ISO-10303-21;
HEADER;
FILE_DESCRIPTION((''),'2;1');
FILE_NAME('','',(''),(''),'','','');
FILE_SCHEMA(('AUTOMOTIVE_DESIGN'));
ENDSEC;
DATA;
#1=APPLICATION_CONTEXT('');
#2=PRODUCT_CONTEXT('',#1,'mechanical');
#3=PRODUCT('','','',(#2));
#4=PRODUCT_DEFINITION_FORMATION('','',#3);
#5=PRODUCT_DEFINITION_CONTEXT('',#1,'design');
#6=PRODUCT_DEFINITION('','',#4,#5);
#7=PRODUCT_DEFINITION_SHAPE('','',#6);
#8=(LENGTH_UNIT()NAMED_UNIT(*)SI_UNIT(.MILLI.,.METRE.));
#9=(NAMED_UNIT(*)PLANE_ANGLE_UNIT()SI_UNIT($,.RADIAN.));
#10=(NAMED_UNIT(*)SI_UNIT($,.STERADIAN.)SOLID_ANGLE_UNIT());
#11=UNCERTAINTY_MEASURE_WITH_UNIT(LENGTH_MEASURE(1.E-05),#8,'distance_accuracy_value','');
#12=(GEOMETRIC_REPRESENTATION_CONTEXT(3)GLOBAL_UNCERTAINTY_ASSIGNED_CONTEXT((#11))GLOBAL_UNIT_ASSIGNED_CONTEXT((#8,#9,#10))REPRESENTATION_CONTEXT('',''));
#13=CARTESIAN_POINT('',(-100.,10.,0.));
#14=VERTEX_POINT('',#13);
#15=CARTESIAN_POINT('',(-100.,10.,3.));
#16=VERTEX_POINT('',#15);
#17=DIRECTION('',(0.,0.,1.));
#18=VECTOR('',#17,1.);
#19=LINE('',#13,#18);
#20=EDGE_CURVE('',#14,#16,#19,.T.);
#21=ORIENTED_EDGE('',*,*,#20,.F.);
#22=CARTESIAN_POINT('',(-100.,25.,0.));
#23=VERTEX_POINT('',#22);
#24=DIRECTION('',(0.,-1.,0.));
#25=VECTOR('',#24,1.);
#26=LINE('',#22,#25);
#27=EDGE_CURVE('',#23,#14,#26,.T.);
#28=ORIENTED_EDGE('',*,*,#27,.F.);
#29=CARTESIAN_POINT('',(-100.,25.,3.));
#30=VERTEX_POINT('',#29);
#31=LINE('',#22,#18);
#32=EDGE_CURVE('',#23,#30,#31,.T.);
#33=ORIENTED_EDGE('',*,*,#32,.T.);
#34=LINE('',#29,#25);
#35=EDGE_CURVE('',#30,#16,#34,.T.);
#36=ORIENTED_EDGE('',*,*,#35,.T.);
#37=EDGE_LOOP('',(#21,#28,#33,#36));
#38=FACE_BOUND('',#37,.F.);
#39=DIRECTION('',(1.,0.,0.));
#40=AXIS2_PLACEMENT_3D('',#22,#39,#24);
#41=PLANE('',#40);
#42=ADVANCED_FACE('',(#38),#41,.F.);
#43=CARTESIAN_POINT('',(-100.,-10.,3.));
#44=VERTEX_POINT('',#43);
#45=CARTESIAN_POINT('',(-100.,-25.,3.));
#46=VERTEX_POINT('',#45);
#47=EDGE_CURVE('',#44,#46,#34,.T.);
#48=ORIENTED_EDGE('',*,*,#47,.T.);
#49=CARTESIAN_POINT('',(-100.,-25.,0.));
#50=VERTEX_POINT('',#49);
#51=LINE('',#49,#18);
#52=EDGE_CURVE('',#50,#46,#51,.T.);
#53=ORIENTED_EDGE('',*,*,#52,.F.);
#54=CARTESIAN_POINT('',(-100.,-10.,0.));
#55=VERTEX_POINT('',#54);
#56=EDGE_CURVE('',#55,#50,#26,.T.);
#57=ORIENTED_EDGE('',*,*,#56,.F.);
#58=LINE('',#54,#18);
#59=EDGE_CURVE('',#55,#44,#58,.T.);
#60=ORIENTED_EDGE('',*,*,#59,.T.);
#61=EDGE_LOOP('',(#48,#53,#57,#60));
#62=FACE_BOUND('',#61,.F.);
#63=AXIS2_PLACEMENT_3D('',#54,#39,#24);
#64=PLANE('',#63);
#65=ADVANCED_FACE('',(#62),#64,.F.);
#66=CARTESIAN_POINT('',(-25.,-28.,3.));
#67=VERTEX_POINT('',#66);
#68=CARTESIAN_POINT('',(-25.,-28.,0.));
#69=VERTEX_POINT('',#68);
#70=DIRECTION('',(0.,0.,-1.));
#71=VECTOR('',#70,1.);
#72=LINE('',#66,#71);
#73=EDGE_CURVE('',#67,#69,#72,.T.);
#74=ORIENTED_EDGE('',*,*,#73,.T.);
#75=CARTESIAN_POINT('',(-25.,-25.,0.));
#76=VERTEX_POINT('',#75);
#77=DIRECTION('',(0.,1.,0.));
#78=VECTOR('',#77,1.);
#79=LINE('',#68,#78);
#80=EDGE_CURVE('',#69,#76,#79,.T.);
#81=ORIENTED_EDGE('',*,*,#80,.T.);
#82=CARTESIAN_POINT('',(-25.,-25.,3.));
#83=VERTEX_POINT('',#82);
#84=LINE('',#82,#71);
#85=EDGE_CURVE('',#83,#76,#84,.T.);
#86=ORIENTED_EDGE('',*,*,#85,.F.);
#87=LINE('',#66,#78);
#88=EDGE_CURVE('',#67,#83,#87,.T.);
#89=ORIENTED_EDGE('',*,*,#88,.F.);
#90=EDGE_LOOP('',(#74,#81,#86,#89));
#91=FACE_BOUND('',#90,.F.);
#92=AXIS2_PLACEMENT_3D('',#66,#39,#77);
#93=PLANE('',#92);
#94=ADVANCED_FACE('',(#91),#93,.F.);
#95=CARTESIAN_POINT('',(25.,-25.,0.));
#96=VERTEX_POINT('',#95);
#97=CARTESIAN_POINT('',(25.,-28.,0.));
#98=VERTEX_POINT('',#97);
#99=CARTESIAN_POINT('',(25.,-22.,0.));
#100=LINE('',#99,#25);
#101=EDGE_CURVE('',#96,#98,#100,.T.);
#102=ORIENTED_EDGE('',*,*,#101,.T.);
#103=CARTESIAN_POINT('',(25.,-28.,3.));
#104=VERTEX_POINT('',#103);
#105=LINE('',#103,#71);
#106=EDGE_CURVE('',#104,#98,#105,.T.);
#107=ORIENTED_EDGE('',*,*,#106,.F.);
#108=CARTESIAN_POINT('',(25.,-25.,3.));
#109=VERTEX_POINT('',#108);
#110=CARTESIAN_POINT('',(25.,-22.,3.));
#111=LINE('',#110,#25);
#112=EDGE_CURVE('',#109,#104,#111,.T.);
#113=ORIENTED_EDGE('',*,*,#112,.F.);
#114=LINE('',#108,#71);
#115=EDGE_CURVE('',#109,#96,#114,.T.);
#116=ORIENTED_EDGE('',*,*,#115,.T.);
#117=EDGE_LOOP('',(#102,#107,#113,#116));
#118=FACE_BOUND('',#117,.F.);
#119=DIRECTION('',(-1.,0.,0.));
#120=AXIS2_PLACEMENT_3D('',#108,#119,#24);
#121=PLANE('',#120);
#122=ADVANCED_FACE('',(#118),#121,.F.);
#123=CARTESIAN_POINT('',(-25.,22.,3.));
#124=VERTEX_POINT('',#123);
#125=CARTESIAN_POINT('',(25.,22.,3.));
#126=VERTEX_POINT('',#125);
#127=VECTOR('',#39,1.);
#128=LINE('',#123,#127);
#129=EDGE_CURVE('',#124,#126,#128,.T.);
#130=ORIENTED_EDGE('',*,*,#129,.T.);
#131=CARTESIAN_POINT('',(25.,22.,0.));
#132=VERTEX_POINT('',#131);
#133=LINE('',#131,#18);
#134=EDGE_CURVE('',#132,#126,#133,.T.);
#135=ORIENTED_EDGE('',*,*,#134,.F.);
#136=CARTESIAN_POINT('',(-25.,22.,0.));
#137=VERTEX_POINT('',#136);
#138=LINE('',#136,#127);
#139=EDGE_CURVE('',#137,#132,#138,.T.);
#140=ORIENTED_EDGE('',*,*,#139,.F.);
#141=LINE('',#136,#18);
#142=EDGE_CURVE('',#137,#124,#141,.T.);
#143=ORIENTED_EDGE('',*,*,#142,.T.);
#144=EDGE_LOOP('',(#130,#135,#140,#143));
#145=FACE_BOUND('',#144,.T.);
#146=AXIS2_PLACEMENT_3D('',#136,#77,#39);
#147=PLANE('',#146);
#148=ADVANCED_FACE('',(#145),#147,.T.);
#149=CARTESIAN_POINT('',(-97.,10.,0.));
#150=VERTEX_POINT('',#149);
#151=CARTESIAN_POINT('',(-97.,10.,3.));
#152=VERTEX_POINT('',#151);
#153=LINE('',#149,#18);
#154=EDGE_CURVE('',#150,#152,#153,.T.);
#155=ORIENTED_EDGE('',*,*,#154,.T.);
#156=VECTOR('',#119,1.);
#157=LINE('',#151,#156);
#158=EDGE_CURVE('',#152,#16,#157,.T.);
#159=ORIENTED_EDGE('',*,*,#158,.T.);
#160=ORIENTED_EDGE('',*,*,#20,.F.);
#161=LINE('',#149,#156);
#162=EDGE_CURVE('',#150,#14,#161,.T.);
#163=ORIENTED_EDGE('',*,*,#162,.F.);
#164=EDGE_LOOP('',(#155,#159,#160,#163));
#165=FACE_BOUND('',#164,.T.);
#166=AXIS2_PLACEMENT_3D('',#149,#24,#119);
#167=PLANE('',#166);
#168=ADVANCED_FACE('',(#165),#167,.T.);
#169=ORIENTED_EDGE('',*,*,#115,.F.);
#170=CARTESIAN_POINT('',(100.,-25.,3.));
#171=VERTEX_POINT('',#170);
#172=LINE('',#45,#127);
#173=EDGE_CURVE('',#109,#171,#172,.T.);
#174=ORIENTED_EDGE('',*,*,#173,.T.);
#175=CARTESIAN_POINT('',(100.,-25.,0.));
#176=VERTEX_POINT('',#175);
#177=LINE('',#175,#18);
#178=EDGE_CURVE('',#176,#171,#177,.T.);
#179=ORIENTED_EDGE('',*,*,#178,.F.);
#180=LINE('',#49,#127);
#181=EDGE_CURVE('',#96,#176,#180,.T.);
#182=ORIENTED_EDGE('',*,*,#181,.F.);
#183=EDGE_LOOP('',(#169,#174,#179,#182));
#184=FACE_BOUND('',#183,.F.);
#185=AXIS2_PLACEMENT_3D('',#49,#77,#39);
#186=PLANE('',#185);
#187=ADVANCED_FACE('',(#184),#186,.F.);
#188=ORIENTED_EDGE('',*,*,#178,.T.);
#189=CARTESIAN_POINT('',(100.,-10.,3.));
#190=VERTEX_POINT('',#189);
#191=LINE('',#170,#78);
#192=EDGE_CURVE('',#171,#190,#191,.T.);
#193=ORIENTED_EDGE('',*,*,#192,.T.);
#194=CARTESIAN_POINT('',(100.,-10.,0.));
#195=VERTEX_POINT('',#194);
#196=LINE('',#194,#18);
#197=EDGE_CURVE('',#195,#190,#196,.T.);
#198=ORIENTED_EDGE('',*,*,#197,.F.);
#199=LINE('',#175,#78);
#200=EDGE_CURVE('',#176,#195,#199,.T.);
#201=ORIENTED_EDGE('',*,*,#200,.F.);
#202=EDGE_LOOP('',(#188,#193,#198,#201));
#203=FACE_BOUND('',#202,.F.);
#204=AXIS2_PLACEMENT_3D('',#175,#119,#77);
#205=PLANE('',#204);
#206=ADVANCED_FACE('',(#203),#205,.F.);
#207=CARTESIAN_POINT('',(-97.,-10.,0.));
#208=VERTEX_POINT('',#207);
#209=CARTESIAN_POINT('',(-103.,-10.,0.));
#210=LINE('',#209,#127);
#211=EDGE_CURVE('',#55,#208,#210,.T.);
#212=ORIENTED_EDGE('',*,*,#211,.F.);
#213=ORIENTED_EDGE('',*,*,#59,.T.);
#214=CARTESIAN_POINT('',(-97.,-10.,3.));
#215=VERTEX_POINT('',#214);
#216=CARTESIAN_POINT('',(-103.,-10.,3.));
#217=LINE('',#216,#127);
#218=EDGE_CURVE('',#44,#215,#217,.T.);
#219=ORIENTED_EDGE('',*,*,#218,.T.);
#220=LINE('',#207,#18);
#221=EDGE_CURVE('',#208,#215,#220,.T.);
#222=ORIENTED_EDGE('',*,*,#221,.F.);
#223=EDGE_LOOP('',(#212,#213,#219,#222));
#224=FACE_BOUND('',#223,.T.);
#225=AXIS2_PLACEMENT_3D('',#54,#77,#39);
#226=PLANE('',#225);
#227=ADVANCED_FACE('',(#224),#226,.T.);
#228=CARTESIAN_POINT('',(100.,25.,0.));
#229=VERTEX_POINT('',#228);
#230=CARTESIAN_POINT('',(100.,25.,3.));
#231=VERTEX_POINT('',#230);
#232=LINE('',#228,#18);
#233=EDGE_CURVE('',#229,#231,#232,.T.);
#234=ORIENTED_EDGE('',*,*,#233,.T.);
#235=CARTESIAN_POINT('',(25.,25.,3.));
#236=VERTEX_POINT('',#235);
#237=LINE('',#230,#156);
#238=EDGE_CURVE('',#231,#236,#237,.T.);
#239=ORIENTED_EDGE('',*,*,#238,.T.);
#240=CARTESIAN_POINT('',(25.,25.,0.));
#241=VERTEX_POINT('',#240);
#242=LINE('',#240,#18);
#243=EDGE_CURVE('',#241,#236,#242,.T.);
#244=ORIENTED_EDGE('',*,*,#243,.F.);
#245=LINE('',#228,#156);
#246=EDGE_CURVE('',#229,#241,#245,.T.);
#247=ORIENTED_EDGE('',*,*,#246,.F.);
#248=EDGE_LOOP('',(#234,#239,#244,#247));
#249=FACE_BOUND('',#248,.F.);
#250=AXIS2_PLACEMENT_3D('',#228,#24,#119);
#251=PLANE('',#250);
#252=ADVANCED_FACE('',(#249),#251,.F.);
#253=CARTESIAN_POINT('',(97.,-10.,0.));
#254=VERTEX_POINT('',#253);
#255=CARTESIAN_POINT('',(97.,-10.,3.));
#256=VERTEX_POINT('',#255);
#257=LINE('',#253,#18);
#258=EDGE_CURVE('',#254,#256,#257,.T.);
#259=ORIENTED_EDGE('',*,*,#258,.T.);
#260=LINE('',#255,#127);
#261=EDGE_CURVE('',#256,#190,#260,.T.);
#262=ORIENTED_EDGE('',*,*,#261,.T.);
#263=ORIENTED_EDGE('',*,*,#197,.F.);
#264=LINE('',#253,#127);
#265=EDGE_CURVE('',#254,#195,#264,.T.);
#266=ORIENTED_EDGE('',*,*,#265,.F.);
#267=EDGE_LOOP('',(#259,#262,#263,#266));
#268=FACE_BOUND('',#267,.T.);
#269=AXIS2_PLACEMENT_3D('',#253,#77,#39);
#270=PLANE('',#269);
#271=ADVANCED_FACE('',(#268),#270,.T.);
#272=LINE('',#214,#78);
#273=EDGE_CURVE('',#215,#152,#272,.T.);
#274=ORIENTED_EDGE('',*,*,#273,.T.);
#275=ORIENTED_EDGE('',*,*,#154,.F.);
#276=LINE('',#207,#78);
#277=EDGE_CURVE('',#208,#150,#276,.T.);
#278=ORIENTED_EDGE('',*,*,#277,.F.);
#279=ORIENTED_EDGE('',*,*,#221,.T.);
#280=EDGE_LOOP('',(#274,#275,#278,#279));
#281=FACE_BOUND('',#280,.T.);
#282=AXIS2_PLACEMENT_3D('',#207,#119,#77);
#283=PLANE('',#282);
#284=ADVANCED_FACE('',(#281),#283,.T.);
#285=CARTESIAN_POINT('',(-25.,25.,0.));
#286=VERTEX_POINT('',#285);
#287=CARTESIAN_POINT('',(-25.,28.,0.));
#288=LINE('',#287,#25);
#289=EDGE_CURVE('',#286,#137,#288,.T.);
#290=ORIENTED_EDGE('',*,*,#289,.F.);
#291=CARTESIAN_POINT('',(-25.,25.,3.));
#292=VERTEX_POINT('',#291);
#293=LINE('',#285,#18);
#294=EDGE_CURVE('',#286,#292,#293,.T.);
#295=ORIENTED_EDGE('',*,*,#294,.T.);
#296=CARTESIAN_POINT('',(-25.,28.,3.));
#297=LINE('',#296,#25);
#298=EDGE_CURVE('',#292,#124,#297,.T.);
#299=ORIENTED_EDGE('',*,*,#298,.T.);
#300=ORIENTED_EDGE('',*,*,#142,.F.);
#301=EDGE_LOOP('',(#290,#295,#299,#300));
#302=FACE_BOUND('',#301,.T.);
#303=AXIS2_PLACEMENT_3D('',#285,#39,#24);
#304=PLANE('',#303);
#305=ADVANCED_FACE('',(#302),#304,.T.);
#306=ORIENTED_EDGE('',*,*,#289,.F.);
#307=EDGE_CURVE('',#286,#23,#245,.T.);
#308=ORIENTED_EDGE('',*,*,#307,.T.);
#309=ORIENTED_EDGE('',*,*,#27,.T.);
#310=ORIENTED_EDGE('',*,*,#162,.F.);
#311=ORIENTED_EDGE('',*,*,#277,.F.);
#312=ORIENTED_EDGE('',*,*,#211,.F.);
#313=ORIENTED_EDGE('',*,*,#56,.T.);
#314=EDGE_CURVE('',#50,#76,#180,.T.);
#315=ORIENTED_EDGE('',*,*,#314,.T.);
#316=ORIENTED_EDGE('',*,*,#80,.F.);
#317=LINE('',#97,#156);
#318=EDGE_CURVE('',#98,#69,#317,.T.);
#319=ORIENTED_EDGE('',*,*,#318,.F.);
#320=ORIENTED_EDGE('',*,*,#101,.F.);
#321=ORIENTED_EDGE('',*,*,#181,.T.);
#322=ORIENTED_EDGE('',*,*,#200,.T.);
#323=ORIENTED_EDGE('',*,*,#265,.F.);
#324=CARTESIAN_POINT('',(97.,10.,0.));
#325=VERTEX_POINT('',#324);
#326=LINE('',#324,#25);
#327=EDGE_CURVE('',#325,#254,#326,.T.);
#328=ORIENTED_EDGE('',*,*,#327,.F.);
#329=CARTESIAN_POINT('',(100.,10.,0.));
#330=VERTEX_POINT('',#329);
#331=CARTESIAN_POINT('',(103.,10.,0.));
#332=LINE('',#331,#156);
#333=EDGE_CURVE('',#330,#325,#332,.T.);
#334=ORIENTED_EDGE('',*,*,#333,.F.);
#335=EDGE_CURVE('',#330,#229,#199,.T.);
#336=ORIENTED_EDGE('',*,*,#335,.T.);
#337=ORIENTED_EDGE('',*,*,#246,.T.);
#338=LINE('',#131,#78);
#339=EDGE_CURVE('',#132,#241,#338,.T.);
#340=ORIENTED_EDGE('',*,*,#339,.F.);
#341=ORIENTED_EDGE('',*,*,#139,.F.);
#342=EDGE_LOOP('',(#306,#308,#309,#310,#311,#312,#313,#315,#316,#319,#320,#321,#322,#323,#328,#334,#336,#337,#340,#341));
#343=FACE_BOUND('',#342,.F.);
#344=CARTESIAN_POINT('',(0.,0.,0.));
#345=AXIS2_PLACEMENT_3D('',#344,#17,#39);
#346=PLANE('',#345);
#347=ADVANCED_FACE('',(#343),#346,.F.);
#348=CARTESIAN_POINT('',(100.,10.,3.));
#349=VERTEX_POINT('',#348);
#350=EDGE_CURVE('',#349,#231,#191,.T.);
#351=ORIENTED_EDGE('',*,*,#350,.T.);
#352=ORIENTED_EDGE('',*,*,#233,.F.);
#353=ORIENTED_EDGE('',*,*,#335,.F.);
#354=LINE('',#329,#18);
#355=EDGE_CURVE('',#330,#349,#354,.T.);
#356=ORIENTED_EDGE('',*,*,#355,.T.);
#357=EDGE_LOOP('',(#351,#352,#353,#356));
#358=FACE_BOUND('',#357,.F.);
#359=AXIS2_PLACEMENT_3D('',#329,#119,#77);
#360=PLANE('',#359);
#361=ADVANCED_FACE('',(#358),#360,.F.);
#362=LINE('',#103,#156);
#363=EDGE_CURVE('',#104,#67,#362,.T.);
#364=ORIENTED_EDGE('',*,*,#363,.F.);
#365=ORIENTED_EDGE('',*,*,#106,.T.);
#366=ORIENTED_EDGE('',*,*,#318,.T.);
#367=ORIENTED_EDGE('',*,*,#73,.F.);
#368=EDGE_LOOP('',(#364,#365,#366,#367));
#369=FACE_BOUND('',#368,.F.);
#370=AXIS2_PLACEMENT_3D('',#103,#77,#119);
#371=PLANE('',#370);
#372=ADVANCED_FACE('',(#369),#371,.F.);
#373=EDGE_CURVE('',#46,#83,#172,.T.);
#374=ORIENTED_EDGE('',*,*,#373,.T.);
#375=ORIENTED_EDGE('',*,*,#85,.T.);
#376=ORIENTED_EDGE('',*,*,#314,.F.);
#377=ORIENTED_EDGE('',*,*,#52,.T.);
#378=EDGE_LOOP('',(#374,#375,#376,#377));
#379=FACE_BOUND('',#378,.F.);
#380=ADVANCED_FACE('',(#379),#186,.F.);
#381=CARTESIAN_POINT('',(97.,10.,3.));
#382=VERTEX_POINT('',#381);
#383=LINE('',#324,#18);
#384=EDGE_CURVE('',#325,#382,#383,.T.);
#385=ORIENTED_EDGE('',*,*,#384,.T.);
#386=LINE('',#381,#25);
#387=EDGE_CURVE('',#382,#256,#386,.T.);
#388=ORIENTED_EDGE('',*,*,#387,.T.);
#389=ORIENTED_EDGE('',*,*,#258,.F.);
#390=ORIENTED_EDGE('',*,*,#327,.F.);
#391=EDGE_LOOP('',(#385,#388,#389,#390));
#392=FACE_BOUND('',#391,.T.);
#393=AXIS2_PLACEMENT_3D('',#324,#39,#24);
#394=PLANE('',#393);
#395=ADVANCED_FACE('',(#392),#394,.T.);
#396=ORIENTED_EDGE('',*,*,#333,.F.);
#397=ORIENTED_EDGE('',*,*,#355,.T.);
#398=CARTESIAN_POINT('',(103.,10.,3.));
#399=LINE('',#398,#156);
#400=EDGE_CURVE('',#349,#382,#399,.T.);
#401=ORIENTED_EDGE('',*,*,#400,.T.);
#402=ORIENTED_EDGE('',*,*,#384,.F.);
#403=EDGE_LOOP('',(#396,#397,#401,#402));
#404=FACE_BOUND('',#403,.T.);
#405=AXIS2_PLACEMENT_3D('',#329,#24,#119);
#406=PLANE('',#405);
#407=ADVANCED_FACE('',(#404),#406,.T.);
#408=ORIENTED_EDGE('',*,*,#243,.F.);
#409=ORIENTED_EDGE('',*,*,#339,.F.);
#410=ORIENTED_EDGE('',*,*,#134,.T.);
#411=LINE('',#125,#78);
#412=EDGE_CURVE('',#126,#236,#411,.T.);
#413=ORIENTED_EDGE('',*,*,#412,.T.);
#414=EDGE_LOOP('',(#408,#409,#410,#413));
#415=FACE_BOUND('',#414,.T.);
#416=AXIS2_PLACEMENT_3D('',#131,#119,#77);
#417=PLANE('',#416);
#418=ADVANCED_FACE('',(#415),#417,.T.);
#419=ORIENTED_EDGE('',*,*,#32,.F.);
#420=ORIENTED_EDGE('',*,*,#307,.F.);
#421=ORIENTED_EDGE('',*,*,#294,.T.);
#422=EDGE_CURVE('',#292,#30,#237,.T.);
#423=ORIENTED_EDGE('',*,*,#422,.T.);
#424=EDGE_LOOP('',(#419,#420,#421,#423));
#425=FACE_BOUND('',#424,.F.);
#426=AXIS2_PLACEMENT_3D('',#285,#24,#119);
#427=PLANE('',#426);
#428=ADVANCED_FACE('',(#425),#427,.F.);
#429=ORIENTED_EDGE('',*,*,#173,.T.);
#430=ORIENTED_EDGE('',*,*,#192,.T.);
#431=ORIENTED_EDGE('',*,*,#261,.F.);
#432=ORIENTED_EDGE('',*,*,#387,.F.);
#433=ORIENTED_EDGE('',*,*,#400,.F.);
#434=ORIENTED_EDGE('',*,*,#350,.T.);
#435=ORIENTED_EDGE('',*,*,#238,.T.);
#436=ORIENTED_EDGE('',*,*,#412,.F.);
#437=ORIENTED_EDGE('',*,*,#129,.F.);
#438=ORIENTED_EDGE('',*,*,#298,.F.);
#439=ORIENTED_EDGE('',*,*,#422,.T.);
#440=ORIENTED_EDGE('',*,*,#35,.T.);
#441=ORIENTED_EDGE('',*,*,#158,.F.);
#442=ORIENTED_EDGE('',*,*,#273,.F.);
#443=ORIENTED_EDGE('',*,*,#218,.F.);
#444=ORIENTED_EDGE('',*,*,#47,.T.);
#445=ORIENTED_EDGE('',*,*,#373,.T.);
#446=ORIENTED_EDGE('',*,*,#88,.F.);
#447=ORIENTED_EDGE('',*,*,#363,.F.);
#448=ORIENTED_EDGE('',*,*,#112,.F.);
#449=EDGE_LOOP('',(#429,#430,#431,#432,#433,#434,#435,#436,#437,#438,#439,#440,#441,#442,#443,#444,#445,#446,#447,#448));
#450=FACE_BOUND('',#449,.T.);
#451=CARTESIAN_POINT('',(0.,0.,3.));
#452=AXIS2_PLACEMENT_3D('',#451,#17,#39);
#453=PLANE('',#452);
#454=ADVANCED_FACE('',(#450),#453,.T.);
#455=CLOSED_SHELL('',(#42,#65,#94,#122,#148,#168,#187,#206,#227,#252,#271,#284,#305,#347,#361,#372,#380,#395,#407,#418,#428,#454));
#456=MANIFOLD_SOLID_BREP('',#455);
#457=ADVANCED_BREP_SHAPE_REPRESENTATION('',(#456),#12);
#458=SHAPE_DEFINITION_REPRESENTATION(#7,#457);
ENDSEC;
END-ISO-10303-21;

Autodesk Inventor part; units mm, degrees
ref_plane "YZ Plane" through (0, 0, 0) normal (1, 0, 0) x (0, 1, 0)
ref_plane "XZ Plane" through (0, 0, 0) normal (0, 1, 0) x (-1, 0, 0)
ref_plane "XY Plane" through (0, 0, 0) normal (0, 0, 1) x (1, 0, 0)
sketch "스케치1" plane through (0, 0, 0) normal (0, 0, 1) x (1, 0, 0)
  line L0 (-100, -25) -> (100, -25)
  line L1 (100, -25) -> (100, 25)
  line L2 (100, 25) -> (-100, 25)
  line L3 (-100, 25) -> (-100, -25)
  line L4 (-100, -25) -> (100, 25) construction
  line L5 (100, -25) -> (-100, 25) construction
  line L6 (-25, 22) -> (25, 22)
  line L7 (25, 22) -> (25, 28)
  line L8 (25, 28) -> (-25, 28)
  line L9 (-25, 28) -> (-25, 22)
  line L10 (-25, 22) -> (25, 28) construction
  line L11 (25, 22) -> (-25, 28) construction
  line L12 (-103, -10) -> (-97, -10)
  line L13 (-97, -10) -> (-97, 10)
  line L14 (-97, 10) -> (-103, 10)
  line L15 (-103, 10) -> (-103, -10)
  line L16 (-103, -10) -> (-97, 10) construction
  line L17 (-97, -10) -> (-103, 10) construction
  line L18 (97, -10) -> (103, -10)
  line L19 (103, -10) -> (103, 10)
  line L20 (103, 10) -> (97, 10)
  line L21 (97, 10) -> (97, -10)
  line L22 (97, -10) -> (103, 10) construction
  line L23 (103, -10) -> (97, 10) construction
  point P0 (0, 0)
  point P1 (0, 25)
  point P2 (-100, 0)
  point P3 (100, 0)
  point P4 (-100, -10)
  point P5 (100, -10)
  point P6 (100, 10)
  point P7 (25, 25)
  point P8 (-25, 25)
  point P9 (-100, 10)
  dimension "d0" = 50
  dimension "d1" = 200
  dimension "d2" = 50
  dimension "d3" = 3
  dimension "d4" = 20
  dimension "d5" = 20
  dimension "d6" = 3
  dimension "d7" = 3
extrude "돌출1" add sketch "스케치1" along normal blind 3 contours L3 L12 L13 L14 L2 L9 L6 L7 L1 L20 L21 L18 L0
sketch "스케치2" plane through (0, 0, 3) normal (0, 0, 1) x (1, 0, 0)
  line L0 (-25, -22) -> (25, -22)
  line L1 (25, -22) -> (25, -28)
  line L2 (25, -28) -> (-25, -28)
  line L3 (-25, -28) -> (-25, -22)
  line L4 (-100, -25) -> (100, -25) projected
  line L5 (-25, -22) -> (25, -28) construction
  line L6 (25, -22) -> (-25, -28) construction
  point P0 (0, 0)
  point P1 (0, -25)
  point P2 (25, -25)
  point P3 (-25, -25)
  dimension "d10" = 50
  dimension "d11" = 3
extrude "돌출2" add sketch "스케치2" against normal blind 3 contours L4 L1 L2 L3
sketch "스케치3" plane through (0, 0, 3) normal (0, 0, 1) x (1, 0, 0)
  point P0 (0, 0)
sketch "스케치4" plane through (0, 0, 3) normal (0, 0, 1) x (1, 0, 0)
  point P0 (0, 0)
properties part number "본체 겉면 레이저 옆판 수정"
